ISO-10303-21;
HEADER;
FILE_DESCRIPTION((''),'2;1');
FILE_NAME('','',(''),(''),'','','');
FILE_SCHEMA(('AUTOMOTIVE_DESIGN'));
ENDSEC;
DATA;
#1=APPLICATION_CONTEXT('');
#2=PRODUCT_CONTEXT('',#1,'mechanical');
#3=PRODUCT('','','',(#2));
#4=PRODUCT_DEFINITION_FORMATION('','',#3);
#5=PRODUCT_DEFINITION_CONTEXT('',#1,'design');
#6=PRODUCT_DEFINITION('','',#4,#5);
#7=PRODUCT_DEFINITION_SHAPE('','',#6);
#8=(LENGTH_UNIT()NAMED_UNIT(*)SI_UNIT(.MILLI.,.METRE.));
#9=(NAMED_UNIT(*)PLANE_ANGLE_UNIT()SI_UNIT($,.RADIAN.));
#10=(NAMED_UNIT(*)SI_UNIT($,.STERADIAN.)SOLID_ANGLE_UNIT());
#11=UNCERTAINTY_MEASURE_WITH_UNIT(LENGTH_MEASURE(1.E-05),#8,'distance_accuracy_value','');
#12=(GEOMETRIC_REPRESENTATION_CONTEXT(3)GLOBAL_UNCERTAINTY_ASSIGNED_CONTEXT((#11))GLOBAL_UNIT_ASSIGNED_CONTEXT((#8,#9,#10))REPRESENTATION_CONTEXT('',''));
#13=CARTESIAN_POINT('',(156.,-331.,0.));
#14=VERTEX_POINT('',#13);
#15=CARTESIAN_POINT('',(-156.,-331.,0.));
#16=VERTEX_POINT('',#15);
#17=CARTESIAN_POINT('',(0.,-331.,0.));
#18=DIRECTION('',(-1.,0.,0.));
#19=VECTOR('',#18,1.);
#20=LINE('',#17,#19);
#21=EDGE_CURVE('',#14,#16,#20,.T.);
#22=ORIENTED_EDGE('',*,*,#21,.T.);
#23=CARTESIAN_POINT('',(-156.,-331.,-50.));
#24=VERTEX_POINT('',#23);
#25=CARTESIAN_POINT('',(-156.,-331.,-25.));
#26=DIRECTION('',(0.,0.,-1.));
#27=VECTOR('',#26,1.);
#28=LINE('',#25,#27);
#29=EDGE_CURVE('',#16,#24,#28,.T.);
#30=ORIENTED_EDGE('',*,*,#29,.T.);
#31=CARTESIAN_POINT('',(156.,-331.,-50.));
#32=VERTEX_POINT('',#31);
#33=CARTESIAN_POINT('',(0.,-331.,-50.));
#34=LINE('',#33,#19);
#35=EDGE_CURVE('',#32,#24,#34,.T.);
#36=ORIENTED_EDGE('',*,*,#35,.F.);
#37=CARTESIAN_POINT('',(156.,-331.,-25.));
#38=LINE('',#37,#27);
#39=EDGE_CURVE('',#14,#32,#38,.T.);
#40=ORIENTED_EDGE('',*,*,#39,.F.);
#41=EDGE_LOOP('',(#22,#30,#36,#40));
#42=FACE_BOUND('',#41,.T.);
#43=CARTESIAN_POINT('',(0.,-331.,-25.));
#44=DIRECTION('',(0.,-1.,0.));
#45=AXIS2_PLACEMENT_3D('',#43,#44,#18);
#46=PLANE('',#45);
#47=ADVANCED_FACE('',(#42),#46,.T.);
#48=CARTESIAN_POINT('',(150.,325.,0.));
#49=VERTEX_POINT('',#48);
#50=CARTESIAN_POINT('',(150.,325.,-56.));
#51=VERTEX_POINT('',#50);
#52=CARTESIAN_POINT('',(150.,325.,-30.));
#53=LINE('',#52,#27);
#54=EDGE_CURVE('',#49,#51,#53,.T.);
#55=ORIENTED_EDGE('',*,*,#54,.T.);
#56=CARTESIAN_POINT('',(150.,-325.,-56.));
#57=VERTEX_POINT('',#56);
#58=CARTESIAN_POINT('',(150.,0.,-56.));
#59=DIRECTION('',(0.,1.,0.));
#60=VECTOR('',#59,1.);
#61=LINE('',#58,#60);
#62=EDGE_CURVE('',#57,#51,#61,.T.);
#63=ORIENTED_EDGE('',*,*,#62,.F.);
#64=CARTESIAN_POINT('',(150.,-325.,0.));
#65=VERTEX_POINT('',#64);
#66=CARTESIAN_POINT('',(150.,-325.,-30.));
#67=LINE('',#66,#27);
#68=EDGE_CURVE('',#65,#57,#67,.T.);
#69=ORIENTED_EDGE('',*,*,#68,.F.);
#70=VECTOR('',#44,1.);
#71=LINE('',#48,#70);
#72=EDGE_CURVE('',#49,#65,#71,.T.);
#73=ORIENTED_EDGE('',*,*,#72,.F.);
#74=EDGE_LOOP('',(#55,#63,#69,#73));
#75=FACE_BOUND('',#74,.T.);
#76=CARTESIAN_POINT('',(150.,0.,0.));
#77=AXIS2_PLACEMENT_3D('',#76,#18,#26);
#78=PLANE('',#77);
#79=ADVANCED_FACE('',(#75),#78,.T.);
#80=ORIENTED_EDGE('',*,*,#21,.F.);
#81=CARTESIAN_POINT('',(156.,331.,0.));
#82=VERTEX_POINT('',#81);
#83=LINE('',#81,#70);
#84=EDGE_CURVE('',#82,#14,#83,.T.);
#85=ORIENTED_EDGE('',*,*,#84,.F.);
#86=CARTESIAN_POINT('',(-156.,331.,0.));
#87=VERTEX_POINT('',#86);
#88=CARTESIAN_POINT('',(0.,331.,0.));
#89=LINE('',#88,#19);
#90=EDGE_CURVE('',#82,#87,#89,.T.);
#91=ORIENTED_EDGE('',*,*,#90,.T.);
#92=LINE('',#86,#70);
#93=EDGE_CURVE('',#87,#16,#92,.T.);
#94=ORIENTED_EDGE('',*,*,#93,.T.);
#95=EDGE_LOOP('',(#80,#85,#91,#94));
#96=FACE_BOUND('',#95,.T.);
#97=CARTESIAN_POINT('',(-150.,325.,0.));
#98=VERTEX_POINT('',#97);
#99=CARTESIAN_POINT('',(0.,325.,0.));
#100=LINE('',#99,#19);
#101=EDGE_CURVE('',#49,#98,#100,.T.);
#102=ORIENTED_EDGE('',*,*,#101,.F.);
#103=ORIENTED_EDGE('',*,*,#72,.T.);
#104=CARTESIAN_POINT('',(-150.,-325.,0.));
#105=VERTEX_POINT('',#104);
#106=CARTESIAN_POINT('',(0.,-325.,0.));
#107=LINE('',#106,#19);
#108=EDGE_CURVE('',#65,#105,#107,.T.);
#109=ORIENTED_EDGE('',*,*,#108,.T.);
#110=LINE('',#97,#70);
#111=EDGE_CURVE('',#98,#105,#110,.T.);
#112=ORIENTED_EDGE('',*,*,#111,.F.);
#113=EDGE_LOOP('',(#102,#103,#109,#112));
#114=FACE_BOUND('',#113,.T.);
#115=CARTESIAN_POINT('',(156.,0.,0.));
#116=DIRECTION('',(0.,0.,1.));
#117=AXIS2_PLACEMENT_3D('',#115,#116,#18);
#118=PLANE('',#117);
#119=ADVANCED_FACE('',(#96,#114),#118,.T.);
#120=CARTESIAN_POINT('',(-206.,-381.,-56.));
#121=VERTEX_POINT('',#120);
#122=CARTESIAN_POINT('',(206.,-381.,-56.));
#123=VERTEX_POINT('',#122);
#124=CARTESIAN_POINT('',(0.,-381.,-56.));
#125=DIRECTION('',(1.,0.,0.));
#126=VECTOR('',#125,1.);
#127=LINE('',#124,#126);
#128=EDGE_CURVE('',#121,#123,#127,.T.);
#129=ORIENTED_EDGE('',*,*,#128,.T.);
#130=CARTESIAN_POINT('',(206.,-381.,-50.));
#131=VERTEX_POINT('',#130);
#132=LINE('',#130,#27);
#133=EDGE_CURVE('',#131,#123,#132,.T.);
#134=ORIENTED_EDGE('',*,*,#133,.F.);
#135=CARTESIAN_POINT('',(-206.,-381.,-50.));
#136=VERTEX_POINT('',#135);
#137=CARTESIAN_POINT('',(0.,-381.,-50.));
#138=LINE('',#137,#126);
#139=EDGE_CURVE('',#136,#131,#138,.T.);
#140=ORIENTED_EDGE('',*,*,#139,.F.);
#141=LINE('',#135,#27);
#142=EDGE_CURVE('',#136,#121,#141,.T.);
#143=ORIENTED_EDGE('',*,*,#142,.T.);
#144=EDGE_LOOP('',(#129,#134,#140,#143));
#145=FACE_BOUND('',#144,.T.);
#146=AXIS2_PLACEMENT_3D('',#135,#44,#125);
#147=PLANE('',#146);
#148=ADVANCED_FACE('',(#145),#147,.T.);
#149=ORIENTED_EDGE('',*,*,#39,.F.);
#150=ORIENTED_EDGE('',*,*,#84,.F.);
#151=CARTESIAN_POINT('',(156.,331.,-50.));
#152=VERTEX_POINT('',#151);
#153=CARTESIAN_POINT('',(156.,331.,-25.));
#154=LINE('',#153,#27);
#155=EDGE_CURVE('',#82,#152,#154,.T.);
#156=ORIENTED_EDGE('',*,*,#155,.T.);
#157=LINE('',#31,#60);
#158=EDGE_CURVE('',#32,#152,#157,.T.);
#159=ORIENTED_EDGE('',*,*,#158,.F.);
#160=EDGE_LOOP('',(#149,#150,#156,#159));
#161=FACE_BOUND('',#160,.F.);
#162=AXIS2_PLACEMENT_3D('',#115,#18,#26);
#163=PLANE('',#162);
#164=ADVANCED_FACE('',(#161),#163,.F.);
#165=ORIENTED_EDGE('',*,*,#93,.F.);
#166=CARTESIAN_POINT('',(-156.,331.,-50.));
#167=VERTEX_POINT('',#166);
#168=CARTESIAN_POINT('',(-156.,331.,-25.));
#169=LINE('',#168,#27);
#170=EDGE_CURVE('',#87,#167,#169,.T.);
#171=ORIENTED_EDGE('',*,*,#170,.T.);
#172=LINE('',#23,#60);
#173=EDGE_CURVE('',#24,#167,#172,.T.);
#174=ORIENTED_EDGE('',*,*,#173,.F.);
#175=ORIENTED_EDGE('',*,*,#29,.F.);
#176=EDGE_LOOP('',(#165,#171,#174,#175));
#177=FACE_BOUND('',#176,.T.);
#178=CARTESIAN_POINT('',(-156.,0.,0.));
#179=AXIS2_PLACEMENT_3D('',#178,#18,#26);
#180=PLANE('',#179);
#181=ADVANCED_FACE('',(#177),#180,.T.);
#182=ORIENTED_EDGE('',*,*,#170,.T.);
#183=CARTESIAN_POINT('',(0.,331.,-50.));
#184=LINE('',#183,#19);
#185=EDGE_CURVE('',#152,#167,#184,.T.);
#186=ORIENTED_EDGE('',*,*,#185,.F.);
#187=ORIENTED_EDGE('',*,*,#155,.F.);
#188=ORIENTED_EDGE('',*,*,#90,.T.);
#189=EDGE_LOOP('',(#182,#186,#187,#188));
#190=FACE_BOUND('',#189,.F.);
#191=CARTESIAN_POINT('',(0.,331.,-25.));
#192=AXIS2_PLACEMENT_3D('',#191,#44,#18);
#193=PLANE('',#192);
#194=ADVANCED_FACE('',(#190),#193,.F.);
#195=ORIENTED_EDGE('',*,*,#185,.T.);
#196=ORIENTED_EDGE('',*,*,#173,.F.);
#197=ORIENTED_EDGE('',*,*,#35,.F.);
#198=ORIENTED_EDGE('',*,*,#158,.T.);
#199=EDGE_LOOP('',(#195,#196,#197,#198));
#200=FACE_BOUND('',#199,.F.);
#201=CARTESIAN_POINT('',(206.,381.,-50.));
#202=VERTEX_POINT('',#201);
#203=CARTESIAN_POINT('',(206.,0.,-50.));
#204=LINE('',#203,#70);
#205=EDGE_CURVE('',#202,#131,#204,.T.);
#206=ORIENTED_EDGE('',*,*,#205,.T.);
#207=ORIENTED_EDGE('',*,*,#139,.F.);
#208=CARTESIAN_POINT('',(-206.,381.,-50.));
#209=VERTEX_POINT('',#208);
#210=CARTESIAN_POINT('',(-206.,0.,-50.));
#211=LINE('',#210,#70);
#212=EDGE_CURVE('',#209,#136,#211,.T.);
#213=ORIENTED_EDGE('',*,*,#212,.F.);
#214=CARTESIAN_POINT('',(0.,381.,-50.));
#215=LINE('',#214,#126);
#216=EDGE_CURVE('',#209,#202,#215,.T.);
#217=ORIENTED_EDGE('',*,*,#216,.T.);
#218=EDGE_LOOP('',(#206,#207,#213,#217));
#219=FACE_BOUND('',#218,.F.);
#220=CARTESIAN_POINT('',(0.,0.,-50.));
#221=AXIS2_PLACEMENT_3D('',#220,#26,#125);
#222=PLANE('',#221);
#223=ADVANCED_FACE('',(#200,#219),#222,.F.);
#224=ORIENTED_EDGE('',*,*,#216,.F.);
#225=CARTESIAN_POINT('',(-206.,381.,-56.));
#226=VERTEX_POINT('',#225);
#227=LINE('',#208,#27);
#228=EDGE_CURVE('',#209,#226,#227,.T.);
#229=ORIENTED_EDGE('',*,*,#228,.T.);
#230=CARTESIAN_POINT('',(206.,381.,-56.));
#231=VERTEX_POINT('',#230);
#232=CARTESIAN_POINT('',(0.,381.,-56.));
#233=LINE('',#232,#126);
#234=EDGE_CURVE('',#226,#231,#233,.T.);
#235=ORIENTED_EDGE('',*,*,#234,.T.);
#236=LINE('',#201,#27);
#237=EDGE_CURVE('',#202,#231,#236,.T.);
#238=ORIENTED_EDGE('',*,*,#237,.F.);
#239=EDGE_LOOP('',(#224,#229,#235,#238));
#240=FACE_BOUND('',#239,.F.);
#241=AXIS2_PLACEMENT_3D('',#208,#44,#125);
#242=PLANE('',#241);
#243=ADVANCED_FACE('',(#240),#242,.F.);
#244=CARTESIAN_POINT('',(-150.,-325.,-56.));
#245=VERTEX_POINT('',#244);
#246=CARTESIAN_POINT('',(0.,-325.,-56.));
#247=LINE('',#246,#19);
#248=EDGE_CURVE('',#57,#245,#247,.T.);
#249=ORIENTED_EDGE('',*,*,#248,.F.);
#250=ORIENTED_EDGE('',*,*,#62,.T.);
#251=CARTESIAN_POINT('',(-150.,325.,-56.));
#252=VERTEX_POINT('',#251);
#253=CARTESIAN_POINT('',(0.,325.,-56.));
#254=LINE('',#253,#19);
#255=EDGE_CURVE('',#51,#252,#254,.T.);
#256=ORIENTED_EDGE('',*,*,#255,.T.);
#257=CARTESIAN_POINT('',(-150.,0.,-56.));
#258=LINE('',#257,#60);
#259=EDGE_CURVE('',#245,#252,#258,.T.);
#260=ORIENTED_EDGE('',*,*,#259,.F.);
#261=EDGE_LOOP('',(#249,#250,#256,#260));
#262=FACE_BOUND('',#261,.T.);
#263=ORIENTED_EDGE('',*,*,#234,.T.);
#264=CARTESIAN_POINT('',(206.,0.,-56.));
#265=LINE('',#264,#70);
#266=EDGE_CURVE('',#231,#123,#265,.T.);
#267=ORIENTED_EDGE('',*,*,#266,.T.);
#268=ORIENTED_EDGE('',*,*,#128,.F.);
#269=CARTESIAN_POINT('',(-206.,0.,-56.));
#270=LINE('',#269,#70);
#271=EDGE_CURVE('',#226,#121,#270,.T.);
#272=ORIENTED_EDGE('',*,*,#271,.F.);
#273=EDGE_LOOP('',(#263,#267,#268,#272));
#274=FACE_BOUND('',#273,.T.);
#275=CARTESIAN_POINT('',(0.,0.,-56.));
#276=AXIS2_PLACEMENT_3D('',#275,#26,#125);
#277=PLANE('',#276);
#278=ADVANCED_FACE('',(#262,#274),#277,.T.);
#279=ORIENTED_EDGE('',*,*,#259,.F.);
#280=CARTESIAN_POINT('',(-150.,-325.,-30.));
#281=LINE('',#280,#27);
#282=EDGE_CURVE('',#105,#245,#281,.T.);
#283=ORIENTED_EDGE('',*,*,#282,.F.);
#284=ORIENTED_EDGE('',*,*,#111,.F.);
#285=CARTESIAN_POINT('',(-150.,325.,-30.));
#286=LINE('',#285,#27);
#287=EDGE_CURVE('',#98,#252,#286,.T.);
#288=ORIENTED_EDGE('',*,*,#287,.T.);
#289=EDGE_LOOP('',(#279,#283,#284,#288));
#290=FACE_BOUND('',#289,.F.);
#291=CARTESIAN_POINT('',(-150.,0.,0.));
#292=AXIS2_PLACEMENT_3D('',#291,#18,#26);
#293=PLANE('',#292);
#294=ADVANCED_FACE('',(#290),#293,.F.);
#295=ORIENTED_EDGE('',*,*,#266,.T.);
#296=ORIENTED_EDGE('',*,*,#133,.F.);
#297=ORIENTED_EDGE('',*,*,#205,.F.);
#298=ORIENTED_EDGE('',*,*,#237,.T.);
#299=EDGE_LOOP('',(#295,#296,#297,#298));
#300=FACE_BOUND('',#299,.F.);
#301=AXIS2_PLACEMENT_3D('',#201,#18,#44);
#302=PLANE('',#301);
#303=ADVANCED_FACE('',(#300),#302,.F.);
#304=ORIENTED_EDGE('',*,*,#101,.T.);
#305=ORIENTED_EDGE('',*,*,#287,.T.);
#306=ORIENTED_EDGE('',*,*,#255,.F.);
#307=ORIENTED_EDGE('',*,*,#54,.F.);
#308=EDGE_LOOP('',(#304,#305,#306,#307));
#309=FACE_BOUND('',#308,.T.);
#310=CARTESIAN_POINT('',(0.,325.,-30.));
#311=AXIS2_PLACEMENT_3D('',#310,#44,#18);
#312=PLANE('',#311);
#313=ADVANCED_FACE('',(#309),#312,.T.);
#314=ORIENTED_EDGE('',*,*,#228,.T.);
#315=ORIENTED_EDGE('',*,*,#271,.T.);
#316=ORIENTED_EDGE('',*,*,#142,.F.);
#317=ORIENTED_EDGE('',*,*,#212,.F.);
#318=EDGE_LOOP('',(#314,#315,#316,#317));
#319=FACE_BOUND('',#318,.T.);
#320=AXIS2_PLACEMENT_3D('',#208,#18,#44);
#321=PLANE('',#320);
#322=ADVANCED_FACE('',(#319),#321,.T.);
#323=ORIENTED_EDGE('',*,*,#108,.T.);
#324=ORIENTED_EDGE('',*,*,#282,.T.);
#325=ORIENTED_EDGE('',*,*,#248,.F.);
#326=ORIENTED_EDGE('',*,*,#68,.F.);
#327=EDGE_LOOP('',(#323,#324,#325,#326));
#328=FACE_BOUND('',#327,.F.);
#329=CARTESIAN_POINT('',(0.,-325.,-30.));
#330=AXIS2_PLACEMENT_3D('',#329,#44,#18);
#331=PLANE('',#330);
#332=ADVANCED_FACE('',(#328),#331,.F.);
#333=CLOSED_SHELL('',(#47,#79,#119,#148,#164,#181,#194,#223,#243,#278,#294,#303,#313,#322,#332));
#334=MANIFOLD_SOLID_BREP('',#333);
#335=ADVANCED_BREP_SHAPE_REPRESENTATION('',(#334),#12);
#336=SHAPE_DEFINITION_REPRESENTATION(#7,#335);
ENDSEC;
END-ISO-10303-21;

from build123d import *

# Parameters (mm, degrees)
SKETCH054_W            = 300
SKETCH054_H            = 60
PAD003_DEPTH           = 325
SKETCH004_W            = 312
SKETCH004_H            = 50
PAD004_DEPTH           = 331
SKETCH055_W            = 412
SKETCH055_H            = 762
PAD005_DEPTH           = 6
CUT001_PLACEMENT_ANGLE = 180


with BuildPart() as body002:
    # Sketch054 → Pad003 (new body, symmetric)
    with BuildSketch(Plane.XZ):
        with Locations((0, 30)):
            Rectangle(SKETCH054_W, SKETCH054_H)
    extrude(amount=PAD003_DEPTH, both=True)


with BuildPart() as cut001:
    # Sketch004 → Pad004 (new body, symmetric)
    with BuildSketch(Plane.XZ):
        with Locations((0, 25)):
            Rectangle(SKETCH004_W, SKETCH004_H)
    extrude(amount=PAD004_DEPTH, both=True)

    # Sketch055 (on Face3 of Pad004) → Pad005 (join)
    with BuildSketch(Plane(origin=(0, 0, 50), x_dir=(-1, 0, 0), z_dir=(0, 0, 1))):
        Rectangle(SKETCH055_W, SKETCH055_H)
    extrude(amount=PAD005_DEPTH)

    # Cut001: cut Body002
    add(body002.part, mode=Mode.SUBTRACT)


with BuildPart() as cut001_1:
    # Cut001 placement: moved
    add(cut001.part.rotate(Axis((0, 0, 0), (0, 1, 0)), CUT001_PLACEMENT_ANGLE))


solid = cut001_1.part
